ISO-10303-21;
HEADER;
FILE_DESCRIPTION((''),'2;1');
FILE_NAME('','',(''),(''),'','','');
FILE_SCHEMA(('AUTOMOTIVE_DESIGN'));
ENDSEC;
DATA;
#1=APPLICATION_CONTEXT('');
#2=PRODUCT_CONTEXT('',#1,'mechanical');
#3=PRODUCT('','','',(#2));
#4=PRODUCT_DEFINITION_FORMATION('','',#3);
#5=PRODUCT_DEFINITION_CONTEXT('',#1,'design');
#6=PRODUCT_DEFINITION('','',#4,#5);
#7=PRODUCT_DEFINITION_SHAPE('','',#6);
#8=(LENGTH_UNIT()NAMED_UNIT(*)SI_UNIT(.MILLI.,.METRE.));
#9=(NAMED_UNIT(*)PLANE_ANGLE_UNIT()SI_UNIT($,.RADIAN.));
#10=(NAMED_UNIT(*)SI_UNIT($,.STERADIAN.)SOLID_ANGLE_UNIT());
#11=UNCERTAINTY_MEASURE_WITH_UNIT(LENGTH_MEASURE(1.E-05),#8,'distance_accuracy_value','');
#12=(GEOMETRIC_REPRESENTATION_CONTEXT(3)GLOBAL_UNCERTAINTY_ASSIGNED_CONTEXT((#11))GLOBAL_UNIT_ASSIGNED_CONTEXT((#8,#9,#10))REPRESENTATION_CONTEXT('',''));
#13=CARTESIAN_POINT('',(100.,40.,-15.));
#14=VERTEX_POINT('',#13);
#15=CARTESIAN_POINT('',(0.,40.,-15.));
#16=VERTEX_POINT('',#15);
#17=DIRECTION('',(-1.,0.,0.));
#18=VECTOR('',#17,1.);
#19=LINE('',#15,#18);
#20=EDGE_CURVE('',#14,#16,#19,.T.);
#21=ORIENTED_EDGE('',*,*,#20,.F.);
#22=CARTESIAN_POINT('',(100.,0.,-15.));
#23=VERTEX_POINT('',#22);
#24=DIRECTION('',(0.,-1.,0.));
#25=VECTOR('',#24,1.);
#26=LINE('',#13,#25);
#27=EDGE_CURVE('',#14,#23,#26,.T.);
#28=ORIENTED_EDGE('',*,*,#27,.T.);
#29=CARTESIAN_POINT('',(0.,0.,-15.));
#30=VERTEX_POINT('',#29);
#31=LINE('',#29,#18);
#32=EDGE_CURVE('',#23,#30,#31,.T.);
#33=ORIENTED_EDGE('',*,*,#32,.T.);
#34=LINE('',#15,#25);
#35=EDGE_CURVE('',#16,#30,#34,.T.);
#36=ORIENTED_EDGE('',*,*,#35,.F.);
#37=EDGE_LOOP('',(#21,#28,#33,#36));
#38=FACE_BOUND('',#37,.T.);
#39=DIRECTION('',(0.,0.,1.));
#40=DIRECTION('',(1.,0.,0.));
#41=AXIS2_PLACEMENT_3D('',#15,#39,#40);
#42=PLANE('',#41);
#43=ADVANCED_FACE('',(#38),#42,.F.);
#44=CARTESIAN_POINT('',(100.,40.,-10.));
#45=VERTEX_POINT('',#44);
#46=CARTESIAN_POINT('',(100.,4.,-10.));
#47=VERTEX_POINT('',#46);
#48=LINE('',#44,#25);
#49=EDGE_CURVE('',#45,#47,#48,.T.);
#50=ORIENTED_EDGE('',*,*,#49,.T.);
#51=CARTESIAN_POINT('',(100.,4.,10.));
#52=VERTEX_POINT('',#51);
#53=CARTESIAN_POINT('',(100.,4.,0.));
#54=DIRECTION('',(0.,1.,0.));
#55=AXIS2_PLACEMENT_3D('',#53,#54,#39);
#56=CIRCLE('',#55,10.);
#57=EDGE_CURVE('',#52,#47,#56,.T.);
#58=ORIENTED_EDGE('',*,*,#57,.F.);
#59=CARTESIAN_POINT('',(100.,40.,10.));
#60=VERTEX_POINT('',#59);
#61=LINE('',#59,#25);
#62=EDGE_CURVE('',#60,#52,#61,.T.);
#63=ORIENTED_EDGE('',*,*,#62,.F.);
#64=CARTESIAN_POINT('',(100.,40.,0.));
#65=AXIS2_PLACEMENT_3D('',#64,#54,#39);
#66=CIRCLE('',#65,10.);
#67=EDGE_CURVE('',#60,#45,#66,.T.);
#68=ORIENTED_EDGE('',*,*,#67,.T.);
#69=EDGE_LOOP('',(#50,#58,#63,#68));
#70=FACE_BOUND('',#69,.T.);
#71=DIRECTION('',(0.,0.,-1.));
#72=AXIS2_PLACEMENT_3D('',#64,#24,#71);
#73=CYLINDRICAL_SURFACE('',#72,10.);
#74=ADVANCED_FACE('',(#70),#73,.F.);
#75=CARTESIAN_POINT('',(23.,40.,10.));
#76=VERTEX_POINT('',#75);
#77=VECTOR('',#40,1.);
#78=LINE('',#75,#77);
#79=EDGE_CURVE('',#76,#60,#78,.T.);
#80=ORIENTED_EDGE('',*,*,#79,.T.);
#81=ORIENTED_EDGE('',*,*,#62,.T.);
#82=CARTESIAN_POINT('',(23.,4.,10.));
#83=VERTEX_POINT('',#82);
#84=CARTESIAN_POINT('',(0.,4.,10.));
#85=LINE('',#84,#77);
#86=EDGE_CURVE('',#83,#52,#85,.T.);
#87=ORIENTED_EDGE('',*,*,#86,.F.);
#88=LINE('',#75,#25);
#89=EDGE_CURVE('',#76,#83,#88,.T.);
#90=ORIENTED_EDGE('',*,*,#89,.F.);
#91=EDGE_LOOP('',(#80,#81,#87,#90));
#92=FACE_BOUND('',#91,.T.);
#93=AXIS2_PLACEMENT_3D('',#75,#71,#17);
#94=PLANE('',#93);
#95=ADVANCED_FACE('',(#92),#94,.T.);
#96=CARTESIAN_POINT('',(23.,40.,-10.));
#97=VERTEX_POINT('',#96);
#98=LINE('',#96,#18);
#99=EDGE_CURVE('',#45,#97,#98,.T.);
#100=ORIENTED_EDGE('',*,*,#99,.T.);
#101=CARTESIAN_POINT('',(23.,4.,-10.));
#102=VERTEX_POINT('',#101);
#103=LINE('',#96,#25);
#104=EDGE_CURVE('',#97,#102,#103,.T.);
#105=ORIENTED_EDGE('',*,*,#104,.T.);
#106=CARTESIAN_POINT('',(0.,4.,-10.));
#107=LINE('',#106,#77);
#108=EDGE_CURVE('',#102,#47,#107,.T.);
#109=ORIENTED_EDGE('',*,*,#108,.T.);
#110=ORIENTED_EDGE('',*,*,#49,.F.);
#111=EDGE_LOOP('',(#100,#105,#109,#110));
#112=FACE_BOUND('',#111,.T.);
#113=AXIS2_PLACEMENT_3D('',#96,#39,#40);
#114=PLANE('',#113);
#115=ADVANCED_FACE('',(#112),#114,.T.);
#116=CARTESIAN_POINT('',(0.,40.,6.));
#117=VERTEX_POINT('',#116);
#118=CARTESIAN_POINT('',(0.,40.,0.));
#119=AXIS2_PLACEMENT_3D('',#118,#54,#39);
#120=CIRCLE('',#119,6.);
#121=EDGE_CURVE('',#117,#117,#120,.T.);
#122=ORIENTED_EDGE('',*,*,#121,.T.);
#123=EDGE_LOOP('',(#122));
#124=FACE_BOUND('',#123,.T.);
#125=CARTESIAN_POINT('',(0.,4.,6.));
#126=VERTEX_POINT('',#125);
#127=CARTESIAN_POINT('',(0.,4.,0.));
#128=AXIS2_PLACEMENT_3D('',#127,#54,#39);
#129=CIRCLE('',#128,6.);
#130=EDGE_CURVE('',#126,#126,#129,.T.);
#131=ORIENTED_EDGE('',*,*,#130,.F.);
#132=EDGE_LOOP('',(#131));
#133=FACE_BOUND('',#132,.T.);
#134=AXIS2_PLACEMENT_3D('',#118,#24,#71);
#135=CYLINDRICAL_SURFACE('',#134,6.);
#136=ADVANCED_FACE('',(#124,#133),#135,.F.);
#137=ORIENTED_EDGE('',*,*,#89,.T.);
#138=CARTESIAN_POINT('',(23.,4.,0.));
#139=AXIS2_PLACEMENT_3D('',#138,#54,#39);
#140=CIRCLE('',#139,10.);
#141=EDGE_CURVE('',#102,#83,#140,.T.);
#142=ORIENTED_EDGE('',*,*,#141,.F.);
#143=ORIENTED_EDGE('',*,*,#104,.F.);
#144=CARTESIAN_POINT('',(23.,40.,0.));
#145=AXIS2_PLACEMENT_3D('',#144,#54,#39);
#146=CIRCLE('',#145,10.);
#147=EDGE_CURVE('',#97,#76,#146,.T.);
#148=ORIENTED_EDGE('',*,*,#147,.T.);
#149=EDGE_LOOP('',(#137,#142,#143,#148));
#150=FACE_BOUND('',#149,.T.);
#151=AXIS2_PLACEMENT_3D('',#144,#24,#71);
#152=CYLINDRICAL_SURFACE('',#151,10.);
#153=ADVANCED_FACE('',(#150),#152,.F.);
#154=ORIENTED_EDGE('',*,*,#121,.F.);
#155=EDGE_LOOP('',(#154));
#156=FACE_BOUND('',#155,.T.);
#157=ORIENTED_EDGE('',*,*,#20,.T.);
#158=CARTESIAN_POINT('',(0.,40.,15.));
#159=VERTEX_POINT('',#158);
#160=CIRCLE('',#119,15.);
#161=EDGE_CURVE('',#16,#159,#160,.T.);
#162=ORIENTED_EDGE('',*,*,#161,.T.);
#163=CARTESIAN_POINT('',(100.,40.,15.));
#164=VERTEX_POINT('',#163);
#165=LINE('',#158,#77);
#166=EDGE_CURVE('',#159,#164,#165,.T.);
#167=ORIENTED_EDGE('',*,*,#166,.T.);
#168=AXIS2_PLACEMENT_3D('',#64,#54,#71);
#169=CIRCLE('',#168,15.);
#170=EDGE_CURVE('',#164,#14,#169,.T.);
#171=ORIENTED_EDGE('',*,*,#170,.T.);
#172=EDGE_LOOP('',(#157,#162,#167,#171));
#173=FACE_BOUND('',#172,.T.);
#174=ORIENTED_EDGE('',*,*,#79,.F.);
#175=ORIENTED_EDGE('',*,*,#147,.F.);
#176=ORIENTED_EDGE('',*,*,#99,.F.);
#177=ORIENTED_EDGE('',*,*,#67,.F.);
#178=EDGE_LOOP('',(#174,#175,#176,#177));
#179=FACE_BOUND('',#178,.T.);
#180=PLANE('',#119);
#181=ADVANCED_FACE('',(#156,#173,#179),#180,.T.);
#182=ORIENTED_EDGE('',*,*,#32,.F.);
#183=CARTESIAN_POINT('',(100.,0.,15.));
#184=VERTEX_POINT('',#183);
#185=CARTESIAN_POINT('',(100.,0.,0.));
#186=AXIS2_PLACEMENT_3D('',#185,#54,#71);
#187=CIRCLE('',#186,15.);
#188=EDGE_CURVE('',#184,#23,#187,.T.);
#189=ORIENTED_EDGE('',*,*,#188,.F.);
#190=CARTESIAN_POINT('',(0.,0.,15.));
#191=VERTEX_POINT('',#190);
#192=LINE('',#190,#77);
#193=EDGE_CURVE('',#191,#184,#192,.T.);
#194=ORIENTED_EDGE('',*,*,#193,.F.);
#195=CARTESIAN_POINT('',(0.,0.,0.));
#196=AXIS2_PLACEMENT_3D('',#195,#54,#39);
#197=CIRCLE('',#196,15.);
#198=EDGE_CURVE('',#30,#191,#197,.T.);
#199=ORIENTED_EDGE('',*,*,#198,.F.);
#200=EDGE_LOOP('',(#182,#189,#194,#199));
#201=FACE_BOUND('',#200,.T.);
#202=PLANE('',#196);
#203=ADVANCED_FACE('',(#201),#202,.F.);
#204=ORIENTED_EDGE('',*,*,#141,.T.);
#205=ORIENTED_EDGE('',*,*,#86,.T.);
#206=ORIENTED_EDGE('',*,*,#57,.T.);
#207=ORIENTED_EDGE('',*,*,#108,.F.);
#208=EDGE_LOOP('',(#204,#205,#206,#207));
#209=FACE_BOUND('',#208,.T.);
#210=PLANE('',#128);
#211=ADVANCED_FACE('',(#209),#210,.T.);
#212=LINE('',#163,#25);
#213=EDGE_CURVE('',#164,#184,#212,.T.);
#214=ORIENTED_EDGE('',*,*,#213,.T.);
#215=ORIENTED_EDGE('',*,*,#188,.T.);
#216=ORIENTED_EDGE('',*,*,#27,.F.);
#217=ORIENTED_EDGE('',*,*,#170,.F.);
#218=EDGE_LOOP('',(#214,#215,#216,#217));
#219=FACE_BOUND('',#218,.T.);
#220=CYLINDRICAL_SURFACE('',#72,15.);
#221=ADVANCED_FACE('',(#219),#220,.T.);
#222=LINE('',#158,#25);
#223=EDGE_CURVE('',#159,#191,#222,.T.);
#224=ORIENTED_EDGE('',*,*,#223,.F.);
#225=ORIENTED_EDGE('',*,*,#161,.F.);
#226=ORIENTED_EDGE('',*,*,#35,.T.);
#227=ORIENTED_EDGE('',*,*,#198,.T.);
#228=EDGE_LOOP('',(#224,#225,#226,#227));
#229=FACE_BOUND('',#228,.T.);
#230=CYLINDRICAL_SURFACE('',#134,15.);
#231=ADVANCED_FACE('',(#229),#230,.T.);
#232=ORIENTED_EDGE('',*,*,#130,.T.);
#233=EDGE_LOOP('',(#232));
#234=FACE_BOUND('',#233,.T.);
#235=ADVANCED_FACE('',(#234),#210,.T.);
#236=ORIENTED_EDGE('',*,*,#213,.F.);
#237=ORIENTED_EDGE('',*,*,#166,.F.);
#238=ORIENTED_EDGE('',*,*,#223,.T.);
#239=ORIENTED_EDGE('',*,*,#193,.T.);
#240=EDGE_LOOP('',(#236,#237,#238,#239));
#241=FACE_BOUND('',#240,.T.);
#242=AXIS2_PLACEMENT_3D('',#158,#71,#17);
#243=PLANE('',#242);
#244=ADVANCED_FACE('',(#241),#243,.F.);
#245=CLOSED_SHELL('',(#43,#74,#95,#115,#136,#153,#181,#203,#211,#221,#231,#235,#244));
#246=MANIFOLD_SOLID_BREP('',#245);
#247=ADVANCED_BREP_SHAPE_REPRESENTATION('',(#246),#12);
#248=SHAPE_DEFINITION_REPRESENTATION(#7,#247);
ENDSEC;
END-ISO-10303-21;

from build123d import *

# Parameters (mm, degrees)
SKETCH1_R           = 6
BOSS_EXTRUDE1_DEPTH = 40
SKETCH1_2_R         = 6
BOSS_EXTRUDE2_DEPTH = 4


with BuildPart() as part:
    # Sketch1 → Boss-Extrude1 (new body)
    with BuildSketch(Plane(origin=(0, 0, 0), x_dir=(1, 0, 0), z_dir=(0, 1, 0))):
        with BuildLine():
            Line((0, -15), (100, -15))
            ThreePointArc((100, -15), (115, 0), (100, 15))
            Line((100, 15), (0, 15))
            ThreePointArc((0, 15), (-15, 0), (0, -15))
        make_face()
        Circle(SKETCH1_R, mode=Mode.SUBTRACT)
        with BuildLine():
            Line((23, 10), (100, 10))
            ThreePointArc((100, 10), (110, 0), (100, -10))
            Line((100, -10), (23, -10))
            ThreePointArc((23, -10), (13, 0), (23, 10))
        make_face(mode=Mode.SUBTRACT)
    extrude(amount=BOSS_EXTRUDE1_DEPTH)

    # Sketch1<2> → Boss-Extrude2 (add)
    with BuildSketch(Plane(origin=(0, 0, 0), x_dir=(1, 0, 0), z_dir=(0, 1, 0))):
        with BuildLine():
            Line((100, 10), (23, 10))
            ThreePointArc((23, 10), (13, 0), (23, -10))
            Line((23, -10), (100, -10))
            ThreePointArc((100, -10), (110, 0), (100, 10))
        make_face()
        Circle(SKETCH1_2_R)
    extrude(amount=BOSS_EXTRUDE2_DEPTH)


solid = part.part
